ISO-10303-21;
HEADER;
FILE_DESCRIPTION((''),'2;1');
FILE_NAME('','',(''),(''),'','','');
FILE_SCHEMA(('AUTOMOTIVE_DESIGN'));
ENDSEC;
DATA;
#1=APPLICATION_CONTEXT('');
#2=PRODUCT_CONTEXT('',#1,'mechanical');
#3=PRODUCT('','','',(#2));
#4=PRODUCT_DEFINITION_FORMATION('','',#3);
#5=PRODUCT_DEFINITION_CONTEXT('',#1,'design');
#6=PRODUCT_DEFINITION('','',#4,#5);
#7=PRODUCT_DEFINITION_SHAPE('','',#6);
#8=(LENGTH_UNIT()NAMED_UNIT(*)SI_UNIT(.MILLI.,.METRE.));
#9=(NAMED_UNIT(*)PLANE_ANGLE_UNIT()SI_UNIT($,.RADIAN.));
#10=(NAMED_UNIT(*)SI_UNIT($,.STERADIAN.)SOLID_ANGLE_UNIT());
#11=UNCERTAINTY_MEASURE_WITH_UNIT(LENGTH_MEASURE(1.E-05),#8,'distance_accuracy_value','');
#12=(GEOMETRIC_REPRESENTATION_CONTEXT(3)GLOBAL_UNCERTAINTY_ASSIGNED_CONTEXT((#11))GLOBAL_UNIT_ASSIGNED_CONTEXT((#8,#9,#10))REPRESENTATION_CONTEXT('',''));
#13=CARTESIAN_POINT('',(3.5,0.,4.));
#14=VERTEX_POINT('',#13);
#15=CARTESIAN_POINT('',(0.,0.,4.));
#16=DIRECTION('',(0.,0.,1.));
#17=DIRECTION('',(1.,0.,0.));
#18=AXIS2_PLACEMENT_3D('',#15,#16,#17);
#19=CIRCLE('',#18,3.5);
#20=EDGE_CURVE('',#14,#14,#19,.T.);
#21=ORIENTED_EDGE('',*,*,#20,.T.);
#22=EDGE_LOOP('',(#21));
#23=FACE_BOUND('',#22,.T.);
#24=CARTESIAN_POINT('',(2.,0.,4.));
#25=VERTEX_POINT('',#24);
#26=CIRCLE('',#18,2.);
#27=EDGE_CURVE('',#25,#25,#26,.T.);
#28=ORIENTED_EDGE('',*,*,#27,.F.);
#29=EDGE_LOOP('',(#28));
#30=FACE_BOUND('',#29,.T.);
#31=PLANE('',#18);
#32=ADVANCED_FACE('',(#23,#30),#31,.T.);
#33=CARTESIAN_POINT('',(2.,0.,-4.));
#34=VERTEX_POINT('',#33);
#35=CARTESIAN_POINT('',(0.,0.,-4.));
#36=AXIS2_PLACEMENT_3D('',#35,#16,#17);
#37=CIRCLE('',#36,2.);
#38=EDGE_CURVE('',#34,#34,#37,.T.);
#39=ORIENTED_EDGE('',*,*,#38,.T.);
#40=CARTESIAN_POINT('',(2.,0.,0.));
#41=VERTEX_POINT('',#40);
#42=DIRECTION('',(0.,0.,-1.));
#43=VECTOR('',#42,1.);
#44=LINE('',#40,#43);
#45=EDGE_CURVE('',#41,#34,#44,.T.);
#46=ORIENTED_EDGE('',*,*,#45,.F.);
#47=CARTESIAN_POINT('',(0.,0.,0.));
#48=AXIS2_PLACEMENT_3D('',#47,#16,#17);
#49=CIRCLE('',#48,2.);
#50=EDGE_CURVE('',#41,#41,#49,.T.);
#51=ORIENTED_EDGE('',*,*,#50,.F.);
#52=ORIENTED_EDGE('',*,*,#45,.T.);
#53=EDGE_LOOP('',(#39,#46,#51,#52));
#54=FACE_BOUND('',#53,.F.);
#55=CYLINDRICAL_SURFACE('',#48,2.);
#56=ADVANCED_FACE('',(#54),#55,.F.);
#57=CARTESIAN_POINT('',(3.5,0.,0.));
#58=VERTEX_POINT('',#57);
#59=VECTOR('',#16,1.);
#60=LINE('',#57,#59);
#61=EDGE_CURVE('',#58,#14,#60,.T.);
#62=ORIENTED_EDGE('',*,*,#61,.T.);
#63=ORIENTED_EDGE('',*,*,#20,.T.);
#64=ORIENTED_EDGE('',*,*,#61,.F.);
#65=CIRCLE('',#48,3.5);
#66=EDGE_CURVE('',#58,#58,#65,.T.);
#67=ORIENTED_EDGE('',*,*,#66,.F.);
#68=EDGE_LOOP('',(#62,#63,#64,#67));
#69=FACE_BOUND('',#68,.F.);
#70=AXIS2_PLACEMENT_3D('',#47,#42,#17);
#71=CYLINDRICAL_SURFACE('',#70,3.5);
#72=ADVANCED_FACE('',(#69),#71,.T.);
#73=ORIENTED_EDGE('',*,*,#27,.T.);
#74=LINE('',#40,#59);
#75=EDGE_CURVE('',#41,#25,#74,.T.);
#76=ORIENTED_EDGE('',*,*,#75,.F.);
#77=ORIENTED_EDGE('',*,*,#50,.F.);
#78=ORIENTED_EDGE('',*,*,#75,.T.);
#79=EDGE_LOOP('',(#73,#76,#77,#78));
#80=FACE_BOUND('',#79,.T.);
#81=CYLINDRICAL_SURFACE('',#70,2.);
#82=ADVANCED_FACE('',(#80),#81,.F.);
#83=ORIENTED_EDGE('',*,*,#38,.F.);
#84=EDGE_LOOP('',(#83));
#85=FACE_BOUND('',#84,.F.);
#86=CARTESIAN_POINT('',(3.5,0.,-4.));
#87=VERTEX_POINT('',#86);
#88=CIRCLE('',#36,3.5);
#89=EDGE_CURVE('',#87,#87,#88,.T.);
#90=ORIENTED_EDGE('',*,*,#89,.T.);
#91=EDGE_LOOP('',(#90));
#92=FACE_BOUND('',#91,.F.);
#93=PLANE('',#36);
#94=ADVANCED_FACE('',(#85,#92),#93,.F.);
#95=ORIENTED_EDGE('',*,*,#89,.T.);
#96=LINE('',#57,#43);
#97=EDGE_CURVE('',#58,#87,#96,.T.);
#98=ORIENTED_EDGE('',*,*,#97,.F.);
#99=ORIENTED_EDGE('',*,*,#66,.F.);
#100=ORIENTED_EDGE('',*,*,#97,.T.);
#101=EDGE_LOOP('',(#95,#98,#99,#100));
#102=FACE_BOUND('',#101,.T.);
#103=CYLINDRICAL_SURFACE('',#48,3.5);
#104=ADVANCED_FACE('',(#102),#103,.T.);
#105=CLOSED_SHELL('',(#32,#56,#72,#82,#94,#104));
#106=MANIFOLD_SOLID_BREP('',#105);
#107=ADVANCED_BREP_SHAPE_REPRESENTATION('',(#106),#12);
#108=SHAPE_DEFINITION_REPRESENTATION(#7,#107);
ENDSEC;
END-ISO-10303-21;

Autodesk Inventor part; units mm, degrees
ref_plane "YZ Plane" through (0, 0, 0) normal (1, 0, 0) x (0, 1, 0)
ref_plane "XZ Plane" through (0, 0, 0) normal (0, 1, 0) x (-1, 0, 0)
ref_plane "XY Plane" through (0, 0, 0) normal (0, 0, 1) x (1, 0, 0)
sketch "Sketch1" plane through (0, 0, 0) normal (0, 0, 1) x (1, 0, 0)
  circle A0 centre (0, 0) radius 2
  circle A1 centre (0, 0) radius 3.5
  dimension "d0" = 7
  dimension "d1" = 4
extrude "Extrusion1" add sketch "Sketch1" along normal mid plane 8
properties part number "18102021-002-03" material "Bronze, Soft Tin"
